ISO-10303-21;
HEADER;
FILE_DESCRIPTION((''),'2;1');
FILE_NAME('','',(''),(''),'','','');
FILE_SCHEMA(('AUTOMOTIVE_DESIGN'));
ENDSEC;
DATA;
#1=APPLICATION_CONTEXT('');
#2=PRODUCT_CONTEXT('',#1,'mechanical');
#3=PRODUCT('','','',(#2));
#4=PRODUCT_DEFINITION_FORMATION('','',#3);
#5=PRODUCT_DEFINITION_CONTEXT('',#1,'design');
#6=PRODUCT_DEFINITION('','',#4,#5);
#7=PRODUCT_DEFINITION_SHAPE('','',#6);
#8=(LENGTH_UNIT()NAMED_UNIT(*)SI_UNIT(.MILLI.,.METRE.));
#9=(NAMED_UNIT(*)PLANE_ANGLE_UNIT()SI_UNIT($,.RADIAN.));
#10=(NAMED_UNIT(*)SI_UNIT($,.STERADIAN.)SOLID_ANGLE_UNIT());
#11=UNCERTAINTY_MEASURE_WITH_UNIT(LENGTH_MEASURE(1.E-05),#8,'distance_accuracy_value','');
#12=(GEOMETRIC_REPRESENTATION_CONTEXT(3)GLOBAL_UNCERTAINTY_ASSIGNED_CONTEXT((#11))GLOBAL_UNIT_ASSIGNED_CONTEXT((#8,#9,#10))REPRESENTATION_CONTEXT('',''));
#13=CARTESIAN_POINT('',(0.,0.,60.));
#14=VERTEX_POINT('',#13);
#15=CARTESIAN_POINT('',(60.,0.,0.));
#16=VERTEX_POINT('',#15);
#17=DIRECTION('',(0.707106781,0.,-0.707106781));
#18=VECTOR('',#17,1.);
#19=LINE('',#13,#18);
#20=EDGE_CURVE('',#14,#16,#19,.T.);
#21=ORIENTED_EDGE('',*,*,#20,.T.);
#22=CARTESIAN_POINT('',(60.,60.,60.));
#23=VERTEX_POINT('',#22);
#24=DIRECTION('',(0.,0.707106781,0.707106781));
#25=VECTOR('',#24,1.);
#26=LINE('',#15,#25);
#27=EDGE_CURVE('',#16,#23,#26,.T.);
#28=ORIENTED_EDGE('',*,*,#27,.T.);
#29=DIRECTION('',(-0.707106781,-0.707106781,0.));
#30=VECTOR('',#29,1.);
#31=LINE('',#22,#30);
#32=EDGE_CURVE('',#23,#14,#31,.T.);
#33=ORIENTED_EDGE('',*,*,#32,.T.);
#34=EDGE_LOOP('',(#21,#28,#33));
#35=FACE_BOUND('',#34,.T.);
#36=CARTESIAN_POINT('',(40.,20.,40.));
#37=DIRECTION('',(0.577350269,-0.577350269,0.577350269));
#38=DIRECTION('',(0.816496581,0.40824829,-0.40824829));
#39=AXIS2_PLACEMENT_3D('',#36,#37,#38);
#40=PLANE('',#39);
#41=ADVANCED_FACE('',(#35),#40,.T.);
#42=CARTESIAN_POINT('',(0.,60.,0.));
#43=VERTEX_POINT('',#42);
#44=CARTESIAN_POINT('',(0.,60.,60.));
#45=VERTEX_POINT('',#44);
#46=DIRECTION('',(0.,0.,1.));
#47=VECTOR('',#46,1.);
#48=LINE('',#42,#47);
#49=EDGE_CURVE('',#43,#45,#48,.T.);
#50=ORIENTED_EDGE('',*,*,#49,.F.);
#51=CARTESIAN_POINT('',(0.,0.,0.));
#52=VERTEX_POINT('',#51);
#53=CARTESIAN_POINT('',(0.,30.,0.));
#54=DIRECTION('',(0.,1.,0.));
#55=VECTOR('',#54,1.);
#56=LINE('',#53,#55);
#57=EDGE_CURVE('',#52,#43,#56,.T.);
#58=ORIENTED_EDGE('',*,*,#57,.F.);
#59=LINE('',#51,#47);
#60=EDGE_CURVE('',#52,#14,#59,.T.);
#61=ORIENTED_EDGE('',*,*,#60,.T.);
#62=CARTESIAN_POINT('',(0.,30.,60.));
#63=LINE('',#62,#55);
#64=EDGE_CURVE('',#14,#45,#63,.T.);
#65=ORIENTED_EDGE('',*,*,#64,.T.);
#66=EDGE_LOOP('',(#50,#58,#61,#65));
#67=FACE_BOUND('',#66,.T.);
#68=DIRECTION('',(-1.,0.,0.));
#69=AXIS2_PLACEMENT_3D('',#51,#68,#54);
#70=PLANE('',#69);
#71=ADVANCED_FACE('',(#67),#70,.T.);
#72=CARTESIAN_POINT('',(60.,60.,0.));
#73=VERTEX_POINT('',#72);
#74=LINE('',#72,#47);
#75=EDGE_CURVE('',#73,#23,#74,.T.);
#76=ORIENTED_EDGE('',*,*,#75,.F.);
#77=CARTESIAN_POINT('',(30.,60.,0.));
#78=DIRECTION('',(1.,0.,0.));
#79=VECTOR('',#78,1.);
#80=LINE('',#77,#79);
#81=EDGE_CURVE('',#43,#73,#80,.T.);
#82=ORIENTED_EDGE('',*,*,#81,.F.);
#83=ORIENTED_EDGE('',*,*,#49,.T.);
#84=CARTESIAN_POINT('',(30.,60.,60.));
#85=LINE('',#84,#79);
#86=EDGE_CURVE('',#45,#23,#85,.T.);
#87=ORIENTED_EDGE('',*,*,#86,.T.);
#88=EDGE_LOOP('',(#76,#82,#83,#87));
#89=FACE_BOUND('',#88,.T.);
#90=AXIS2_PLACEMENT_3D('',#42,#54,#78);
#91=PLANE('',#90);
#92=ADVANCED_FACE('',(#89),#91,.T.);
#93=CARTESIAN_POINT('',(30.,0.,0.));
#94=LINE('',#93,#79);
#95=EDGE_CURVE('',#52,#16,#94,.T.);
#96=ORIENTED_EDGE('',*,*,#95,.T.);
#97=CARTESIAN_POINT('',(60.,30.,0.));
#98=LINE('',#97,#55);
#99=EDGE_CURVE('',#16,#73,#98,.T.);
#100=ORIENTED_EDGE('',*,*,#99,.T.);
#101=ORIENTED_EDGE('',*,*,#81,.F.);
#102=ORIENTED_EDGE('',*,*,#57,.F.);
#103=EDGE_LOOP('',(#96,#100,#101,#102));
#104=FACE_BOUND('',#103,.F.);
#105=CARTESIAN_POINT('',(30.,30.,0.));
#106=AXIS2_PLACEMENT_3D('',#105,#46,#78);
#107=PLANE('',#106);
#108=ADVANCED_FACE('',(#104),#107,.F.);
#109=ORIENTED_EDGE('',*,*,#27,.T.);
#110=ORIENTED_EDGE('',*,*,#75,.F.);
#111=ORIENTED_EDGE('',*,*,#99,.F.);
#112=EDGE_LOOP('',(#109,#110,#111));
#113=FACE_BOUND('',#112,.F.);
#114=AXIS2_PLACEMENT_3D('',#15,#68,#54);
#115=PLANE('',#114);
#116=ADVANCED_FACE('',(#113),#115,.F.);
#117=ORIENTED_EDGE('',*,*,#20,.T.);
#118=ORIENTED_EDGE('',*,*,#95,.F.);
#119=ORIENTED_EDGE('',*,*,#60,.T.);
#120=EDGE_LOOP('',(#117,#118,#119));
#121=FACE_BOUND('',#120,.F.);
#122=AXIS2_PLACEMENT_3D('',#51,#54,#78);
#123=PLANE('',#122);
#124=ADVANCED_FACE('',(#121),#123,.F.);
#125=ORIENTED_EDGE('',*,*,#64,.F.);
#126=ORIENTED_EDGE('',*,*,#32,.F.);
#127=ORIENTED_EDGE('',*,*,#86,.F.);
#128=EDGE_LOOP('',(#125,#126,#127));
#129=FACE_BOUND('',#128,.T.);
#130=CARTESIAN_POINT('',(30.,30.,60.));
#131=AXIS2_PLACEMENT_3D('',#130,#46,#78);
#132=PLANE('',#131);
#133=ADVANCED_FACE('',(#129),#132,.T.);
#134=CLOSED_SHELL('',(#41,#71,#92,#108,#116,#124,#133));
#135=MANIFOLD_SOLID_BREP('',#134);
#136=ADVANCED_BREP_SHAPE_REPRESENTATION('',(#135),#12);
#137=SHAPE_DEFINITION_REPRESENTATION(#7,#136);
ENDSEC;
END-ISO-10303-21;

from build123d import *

# Parameters (mm, degrees)
F0_W     = 60
F0_H     = 60
F1_DEPTH = 60
F4_DEPTH = 34.6420161514


with BuildPart() as f1:
    # F0 (on Top) → F1 (new body)
    with BuildSketch(Plane.XY):
        with Locations((30, 30)):
            Rectangle(F0_W, F0_H)
    extrude(amount=F1_DEPTH)

    # F3 (on 3pt) → F4 (cut, through all)
    with BuildSketch(Plane(origin=(20, -20, 20), x_dir=(0.8164965809, 0.4082482905, -0.4082482905), z_dir=(0.5773502692, -0.5773502692, 0.5773502692))):
        Polygon((48.9897948557, 84.8528137424), (-24.4948974278, 42.4264068712), (48.9897948557, 0), align=None)
    extrude(amount=F4_DEPTH, mode=Mode.SUBTRACT)


solid = f1.part
